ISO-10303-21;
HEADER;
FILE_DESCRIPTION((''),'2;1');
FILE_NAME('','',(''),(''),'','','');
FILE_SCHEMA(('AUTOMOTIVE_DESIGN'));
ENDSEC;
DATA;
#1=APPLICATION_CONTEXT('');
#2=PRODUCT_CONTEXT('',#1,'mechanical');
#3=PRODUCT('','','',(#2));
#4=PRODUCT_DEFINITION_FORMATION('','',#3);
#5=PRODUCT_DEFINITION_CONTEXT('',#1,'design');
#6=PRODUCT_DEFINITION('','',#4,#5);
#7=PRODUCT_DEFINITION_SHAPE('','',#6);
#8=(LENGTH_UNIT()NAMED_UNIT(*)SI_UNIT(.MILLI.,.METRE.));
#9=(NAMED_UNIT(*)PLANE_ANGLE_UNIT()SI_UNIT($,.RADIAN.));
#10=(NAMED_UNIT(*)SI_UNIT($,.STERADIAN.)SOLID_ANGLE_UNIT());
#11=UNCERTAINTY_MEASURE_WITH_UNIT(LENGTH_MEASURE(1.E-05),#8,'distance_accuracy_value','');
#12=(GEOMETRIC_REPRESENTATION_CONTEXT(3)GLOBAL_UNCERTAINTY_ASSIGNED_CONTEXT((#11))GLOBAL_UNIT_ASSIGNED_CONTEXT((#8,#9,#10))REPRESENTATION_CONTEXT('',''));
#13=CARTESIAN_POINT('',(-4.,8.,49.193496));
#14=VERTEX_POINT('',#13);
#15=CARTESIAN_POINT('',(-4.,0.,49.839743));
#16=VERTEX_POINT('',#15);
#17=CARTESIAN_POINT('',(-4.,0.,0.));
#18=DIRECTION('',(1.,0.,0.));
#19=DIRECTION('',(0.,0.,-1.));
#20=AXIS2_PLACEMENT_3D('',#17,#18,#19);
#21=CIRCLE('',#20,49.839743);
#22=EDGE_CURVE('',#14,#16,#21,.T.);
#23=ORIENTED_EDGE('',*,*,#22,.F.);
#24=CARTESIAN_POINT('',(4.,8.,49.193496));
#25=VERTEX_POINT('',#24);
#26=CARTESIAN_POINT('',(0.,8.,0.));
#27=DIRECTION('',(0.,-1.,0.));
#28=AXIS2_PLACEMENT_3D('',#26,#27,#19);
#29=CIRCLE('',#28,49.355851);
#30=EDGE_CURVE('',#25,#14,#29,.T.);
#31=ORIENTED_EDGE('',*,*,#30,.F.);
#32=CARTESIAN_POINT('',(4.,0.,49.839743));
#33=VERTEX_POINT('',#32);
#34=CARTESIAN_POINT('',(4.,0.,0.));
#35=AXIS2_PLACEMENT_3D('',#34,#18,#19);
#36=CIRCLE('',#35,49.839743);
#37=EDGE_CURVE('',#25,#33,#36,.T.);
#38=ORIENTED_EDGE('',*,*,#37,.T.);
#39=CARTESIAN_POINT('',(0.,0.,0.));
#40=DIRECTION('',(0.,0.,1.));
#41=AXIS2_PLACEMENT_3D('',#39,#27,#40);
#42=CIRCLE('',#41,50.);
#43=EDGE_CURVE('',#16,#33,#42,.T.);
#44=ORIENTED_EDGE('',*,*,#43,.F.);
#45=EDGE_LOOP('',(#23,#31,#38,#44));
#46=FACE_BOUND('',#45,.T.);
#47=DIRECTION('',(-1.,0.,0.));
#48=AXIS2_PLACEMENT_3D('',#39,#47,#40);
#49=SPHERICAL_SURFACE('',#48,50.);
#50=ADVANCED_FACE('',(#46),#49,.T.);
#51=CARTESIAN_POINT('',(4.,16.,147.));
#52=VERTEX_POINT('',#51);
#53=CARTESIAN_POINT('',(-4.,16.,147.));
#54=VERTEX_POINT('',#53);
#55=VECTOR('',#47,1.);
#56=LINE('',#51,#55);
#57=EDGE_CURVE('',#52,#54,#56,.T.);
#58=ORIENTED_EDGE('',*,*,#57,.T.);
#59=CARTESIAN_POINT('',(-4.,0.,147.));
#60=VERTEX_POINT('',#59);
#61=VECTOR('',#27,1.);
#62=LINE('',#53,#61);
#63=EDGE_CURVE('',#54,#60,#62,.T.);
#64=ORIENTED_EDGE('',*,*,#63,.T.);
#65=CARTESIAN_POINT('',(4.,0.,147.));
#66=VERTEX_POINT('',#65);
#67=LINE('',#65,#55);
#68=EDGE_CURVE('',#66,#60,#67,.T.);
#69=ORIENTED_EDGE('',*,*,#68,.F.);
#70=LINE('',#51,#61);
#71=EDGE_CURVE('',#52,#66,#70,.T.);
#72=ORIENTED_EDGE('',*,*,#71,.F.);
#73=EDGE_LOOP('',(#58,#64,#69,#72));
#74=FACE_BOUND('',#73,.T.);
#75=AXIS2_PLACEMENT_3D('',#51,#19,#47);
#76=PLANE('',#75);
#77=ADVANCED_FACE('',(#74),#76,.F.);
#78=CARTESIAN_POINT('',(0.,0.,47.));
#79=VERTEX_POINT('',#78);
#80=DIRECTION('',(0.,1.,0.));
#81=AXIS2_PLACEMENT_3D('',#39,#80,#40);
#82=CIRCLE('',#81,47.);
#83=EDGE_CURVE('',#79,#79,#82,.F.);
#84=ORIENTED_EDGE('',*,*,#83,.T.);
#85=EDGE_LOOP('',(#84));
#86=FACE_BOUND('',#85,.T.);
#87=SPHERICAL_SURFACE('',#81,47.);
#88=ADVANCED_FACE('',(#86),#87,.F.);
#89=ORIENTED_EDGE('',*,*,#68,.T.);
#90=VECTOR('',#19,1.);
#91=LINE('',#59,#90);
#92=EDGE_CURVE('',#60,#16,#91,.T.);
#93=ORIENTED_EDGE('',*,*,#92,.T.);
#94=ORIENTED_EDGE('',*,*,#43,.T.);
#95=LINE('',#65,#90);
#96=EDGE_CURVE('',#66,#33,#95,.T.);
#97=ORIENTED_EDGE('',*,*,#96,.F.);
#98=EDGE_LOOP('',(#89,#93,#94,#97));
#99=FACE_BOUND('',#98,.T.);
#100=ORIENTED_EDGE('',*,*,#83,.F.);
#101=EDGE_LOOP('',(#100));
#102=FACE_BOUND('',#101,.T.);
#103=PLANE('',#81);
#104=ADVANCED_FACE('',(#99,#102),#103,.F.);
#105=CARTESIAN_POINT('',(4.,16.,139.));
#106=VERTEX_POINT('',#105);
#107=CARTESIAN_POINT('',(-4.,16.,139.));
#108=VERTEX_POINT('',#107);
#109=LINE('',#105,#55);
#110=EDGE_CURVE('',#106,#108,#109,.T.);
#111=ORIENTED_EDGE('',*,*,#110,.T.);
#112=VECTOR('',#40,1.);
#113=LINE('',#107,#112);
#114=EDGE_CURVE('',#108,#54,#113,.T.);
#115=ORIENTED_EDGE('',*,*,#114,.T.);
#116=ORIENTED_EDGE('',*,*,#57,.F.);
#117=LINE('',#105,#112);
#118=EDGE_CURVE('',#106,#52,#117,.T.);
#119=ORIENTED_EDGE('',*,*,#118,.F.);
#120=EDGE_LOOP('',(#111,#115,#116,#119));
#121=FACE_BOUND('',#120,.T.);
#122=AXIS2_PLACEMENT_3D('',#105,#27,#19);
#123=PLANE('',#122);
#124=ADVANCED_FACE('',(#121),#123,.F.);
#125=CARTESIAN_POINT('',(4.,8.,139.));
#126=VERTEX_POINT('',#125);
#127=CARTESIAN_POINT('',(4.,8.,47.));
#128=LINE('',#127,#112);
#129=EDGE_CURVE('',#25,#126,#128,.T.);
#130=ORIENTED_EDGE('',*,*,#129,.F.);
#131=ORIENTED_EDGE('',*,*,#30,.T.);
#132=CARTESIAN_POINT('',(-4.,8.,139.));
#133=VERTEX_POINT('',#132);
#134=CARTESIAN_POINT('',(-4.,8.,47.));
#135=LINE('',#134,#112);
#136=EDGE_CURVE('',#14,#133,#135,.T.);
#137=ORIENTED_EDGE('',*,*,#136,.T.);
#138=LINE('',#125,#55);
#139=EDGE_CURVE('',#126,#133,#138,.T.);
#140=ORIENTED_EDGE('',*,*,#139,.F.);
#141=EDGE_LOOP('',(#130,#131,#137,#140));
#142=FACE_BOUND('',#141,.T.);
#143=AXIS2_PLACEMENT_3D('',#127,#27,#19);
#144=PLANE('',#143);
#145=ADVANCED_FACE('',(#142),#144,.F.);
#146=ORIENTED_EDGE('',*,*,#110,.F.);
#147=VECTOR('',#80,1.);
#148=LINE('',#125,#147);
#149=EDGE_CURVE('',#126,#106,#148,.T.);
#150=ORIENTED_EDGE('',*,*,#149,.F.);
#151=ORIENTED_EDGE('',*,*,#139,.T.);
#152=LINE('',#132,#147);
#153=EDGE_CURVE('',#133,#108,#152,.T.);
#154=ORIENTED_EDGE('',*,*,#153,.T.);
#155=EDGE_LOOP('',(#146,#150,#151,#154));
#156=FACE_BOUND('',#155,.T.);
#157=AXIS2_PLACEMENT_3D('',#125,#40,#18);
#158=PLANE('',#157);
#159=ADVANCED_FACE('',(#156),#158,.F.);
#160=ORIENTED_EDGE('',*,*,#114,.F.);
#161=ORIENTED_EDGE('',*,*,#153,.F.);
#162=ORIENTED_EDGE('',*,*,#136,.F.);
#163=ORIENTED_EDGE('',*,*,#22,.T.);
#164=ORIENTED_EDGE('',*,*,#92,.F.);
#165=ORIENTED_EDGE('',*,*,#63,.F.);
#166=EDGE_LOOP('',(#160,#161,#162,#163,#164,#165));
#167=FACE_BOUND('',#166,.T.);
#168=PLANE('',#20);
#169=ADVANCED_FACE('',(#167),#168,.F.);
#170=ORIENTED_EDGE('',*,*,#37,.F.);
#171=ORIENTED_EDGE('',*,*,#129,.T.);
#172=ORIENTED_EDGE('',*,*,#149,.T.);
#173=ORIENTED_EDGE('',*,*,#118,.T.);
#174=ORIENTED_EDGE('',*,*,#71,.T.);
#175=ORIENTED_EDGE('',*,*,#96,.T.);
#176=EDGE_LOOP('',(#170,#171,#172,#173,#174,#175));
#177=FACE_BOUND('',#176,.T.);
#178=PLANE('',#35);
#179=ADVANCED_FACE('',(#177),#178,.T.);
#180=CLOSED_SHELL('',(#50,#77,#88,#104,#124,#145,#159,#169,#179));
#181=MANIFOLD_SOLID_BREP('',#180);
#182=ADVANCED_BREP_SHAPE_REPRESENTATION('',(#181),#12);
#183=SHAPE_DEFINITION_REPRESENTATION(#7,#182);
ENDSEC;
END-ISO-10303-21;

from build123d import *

# Parameters (mm, degrees)
REVOLVE1_ANGLE      = 180
SHELL3_T            = -3
BOSS_EXTRUDE1_DEPTH = 4


with BuildPart() as part:
    # Sketch1 → Revolve1 (revolve)
    with BuildSketch(Plane(origin=(0, 0, 0), x_dir=(1, 0, 0), z_dir=(0, 1, 0))):
        with BuildLine():
            Line((-50, 0), (50, 0))
            ThreePointArc((50, 0), (0, 50), (-50, 0))
        make_face()
    revolve(axis=Axis((-50, 0, 0), (1, 0, 0)), revolution_arc=REVOLVE1_ANGLE)

    # Shell3
    shell3_openings = [part.faces().sort_by_distance(p)[0] for p in [
        (0, 0, 0),
    ]]
    offset(amount=SHELL3_T, openings=shell3_openings)

    # Sketch5 → Boss-Extrude1 (add, symmetric)
    with BuildSketch(Plane(origin=(0, 0, 0), x_dir=(0, 0, -1), z_dir=(1, 0, 0))):
        Polygon((-47, 0), (-47, 8), (-139, 8), (-139, 16), (-147, 16), (-147, 0), align=None)
    extrude(amount=BOSS_EXTRUDE1_DEPTH, both=True)


solid = part.part
